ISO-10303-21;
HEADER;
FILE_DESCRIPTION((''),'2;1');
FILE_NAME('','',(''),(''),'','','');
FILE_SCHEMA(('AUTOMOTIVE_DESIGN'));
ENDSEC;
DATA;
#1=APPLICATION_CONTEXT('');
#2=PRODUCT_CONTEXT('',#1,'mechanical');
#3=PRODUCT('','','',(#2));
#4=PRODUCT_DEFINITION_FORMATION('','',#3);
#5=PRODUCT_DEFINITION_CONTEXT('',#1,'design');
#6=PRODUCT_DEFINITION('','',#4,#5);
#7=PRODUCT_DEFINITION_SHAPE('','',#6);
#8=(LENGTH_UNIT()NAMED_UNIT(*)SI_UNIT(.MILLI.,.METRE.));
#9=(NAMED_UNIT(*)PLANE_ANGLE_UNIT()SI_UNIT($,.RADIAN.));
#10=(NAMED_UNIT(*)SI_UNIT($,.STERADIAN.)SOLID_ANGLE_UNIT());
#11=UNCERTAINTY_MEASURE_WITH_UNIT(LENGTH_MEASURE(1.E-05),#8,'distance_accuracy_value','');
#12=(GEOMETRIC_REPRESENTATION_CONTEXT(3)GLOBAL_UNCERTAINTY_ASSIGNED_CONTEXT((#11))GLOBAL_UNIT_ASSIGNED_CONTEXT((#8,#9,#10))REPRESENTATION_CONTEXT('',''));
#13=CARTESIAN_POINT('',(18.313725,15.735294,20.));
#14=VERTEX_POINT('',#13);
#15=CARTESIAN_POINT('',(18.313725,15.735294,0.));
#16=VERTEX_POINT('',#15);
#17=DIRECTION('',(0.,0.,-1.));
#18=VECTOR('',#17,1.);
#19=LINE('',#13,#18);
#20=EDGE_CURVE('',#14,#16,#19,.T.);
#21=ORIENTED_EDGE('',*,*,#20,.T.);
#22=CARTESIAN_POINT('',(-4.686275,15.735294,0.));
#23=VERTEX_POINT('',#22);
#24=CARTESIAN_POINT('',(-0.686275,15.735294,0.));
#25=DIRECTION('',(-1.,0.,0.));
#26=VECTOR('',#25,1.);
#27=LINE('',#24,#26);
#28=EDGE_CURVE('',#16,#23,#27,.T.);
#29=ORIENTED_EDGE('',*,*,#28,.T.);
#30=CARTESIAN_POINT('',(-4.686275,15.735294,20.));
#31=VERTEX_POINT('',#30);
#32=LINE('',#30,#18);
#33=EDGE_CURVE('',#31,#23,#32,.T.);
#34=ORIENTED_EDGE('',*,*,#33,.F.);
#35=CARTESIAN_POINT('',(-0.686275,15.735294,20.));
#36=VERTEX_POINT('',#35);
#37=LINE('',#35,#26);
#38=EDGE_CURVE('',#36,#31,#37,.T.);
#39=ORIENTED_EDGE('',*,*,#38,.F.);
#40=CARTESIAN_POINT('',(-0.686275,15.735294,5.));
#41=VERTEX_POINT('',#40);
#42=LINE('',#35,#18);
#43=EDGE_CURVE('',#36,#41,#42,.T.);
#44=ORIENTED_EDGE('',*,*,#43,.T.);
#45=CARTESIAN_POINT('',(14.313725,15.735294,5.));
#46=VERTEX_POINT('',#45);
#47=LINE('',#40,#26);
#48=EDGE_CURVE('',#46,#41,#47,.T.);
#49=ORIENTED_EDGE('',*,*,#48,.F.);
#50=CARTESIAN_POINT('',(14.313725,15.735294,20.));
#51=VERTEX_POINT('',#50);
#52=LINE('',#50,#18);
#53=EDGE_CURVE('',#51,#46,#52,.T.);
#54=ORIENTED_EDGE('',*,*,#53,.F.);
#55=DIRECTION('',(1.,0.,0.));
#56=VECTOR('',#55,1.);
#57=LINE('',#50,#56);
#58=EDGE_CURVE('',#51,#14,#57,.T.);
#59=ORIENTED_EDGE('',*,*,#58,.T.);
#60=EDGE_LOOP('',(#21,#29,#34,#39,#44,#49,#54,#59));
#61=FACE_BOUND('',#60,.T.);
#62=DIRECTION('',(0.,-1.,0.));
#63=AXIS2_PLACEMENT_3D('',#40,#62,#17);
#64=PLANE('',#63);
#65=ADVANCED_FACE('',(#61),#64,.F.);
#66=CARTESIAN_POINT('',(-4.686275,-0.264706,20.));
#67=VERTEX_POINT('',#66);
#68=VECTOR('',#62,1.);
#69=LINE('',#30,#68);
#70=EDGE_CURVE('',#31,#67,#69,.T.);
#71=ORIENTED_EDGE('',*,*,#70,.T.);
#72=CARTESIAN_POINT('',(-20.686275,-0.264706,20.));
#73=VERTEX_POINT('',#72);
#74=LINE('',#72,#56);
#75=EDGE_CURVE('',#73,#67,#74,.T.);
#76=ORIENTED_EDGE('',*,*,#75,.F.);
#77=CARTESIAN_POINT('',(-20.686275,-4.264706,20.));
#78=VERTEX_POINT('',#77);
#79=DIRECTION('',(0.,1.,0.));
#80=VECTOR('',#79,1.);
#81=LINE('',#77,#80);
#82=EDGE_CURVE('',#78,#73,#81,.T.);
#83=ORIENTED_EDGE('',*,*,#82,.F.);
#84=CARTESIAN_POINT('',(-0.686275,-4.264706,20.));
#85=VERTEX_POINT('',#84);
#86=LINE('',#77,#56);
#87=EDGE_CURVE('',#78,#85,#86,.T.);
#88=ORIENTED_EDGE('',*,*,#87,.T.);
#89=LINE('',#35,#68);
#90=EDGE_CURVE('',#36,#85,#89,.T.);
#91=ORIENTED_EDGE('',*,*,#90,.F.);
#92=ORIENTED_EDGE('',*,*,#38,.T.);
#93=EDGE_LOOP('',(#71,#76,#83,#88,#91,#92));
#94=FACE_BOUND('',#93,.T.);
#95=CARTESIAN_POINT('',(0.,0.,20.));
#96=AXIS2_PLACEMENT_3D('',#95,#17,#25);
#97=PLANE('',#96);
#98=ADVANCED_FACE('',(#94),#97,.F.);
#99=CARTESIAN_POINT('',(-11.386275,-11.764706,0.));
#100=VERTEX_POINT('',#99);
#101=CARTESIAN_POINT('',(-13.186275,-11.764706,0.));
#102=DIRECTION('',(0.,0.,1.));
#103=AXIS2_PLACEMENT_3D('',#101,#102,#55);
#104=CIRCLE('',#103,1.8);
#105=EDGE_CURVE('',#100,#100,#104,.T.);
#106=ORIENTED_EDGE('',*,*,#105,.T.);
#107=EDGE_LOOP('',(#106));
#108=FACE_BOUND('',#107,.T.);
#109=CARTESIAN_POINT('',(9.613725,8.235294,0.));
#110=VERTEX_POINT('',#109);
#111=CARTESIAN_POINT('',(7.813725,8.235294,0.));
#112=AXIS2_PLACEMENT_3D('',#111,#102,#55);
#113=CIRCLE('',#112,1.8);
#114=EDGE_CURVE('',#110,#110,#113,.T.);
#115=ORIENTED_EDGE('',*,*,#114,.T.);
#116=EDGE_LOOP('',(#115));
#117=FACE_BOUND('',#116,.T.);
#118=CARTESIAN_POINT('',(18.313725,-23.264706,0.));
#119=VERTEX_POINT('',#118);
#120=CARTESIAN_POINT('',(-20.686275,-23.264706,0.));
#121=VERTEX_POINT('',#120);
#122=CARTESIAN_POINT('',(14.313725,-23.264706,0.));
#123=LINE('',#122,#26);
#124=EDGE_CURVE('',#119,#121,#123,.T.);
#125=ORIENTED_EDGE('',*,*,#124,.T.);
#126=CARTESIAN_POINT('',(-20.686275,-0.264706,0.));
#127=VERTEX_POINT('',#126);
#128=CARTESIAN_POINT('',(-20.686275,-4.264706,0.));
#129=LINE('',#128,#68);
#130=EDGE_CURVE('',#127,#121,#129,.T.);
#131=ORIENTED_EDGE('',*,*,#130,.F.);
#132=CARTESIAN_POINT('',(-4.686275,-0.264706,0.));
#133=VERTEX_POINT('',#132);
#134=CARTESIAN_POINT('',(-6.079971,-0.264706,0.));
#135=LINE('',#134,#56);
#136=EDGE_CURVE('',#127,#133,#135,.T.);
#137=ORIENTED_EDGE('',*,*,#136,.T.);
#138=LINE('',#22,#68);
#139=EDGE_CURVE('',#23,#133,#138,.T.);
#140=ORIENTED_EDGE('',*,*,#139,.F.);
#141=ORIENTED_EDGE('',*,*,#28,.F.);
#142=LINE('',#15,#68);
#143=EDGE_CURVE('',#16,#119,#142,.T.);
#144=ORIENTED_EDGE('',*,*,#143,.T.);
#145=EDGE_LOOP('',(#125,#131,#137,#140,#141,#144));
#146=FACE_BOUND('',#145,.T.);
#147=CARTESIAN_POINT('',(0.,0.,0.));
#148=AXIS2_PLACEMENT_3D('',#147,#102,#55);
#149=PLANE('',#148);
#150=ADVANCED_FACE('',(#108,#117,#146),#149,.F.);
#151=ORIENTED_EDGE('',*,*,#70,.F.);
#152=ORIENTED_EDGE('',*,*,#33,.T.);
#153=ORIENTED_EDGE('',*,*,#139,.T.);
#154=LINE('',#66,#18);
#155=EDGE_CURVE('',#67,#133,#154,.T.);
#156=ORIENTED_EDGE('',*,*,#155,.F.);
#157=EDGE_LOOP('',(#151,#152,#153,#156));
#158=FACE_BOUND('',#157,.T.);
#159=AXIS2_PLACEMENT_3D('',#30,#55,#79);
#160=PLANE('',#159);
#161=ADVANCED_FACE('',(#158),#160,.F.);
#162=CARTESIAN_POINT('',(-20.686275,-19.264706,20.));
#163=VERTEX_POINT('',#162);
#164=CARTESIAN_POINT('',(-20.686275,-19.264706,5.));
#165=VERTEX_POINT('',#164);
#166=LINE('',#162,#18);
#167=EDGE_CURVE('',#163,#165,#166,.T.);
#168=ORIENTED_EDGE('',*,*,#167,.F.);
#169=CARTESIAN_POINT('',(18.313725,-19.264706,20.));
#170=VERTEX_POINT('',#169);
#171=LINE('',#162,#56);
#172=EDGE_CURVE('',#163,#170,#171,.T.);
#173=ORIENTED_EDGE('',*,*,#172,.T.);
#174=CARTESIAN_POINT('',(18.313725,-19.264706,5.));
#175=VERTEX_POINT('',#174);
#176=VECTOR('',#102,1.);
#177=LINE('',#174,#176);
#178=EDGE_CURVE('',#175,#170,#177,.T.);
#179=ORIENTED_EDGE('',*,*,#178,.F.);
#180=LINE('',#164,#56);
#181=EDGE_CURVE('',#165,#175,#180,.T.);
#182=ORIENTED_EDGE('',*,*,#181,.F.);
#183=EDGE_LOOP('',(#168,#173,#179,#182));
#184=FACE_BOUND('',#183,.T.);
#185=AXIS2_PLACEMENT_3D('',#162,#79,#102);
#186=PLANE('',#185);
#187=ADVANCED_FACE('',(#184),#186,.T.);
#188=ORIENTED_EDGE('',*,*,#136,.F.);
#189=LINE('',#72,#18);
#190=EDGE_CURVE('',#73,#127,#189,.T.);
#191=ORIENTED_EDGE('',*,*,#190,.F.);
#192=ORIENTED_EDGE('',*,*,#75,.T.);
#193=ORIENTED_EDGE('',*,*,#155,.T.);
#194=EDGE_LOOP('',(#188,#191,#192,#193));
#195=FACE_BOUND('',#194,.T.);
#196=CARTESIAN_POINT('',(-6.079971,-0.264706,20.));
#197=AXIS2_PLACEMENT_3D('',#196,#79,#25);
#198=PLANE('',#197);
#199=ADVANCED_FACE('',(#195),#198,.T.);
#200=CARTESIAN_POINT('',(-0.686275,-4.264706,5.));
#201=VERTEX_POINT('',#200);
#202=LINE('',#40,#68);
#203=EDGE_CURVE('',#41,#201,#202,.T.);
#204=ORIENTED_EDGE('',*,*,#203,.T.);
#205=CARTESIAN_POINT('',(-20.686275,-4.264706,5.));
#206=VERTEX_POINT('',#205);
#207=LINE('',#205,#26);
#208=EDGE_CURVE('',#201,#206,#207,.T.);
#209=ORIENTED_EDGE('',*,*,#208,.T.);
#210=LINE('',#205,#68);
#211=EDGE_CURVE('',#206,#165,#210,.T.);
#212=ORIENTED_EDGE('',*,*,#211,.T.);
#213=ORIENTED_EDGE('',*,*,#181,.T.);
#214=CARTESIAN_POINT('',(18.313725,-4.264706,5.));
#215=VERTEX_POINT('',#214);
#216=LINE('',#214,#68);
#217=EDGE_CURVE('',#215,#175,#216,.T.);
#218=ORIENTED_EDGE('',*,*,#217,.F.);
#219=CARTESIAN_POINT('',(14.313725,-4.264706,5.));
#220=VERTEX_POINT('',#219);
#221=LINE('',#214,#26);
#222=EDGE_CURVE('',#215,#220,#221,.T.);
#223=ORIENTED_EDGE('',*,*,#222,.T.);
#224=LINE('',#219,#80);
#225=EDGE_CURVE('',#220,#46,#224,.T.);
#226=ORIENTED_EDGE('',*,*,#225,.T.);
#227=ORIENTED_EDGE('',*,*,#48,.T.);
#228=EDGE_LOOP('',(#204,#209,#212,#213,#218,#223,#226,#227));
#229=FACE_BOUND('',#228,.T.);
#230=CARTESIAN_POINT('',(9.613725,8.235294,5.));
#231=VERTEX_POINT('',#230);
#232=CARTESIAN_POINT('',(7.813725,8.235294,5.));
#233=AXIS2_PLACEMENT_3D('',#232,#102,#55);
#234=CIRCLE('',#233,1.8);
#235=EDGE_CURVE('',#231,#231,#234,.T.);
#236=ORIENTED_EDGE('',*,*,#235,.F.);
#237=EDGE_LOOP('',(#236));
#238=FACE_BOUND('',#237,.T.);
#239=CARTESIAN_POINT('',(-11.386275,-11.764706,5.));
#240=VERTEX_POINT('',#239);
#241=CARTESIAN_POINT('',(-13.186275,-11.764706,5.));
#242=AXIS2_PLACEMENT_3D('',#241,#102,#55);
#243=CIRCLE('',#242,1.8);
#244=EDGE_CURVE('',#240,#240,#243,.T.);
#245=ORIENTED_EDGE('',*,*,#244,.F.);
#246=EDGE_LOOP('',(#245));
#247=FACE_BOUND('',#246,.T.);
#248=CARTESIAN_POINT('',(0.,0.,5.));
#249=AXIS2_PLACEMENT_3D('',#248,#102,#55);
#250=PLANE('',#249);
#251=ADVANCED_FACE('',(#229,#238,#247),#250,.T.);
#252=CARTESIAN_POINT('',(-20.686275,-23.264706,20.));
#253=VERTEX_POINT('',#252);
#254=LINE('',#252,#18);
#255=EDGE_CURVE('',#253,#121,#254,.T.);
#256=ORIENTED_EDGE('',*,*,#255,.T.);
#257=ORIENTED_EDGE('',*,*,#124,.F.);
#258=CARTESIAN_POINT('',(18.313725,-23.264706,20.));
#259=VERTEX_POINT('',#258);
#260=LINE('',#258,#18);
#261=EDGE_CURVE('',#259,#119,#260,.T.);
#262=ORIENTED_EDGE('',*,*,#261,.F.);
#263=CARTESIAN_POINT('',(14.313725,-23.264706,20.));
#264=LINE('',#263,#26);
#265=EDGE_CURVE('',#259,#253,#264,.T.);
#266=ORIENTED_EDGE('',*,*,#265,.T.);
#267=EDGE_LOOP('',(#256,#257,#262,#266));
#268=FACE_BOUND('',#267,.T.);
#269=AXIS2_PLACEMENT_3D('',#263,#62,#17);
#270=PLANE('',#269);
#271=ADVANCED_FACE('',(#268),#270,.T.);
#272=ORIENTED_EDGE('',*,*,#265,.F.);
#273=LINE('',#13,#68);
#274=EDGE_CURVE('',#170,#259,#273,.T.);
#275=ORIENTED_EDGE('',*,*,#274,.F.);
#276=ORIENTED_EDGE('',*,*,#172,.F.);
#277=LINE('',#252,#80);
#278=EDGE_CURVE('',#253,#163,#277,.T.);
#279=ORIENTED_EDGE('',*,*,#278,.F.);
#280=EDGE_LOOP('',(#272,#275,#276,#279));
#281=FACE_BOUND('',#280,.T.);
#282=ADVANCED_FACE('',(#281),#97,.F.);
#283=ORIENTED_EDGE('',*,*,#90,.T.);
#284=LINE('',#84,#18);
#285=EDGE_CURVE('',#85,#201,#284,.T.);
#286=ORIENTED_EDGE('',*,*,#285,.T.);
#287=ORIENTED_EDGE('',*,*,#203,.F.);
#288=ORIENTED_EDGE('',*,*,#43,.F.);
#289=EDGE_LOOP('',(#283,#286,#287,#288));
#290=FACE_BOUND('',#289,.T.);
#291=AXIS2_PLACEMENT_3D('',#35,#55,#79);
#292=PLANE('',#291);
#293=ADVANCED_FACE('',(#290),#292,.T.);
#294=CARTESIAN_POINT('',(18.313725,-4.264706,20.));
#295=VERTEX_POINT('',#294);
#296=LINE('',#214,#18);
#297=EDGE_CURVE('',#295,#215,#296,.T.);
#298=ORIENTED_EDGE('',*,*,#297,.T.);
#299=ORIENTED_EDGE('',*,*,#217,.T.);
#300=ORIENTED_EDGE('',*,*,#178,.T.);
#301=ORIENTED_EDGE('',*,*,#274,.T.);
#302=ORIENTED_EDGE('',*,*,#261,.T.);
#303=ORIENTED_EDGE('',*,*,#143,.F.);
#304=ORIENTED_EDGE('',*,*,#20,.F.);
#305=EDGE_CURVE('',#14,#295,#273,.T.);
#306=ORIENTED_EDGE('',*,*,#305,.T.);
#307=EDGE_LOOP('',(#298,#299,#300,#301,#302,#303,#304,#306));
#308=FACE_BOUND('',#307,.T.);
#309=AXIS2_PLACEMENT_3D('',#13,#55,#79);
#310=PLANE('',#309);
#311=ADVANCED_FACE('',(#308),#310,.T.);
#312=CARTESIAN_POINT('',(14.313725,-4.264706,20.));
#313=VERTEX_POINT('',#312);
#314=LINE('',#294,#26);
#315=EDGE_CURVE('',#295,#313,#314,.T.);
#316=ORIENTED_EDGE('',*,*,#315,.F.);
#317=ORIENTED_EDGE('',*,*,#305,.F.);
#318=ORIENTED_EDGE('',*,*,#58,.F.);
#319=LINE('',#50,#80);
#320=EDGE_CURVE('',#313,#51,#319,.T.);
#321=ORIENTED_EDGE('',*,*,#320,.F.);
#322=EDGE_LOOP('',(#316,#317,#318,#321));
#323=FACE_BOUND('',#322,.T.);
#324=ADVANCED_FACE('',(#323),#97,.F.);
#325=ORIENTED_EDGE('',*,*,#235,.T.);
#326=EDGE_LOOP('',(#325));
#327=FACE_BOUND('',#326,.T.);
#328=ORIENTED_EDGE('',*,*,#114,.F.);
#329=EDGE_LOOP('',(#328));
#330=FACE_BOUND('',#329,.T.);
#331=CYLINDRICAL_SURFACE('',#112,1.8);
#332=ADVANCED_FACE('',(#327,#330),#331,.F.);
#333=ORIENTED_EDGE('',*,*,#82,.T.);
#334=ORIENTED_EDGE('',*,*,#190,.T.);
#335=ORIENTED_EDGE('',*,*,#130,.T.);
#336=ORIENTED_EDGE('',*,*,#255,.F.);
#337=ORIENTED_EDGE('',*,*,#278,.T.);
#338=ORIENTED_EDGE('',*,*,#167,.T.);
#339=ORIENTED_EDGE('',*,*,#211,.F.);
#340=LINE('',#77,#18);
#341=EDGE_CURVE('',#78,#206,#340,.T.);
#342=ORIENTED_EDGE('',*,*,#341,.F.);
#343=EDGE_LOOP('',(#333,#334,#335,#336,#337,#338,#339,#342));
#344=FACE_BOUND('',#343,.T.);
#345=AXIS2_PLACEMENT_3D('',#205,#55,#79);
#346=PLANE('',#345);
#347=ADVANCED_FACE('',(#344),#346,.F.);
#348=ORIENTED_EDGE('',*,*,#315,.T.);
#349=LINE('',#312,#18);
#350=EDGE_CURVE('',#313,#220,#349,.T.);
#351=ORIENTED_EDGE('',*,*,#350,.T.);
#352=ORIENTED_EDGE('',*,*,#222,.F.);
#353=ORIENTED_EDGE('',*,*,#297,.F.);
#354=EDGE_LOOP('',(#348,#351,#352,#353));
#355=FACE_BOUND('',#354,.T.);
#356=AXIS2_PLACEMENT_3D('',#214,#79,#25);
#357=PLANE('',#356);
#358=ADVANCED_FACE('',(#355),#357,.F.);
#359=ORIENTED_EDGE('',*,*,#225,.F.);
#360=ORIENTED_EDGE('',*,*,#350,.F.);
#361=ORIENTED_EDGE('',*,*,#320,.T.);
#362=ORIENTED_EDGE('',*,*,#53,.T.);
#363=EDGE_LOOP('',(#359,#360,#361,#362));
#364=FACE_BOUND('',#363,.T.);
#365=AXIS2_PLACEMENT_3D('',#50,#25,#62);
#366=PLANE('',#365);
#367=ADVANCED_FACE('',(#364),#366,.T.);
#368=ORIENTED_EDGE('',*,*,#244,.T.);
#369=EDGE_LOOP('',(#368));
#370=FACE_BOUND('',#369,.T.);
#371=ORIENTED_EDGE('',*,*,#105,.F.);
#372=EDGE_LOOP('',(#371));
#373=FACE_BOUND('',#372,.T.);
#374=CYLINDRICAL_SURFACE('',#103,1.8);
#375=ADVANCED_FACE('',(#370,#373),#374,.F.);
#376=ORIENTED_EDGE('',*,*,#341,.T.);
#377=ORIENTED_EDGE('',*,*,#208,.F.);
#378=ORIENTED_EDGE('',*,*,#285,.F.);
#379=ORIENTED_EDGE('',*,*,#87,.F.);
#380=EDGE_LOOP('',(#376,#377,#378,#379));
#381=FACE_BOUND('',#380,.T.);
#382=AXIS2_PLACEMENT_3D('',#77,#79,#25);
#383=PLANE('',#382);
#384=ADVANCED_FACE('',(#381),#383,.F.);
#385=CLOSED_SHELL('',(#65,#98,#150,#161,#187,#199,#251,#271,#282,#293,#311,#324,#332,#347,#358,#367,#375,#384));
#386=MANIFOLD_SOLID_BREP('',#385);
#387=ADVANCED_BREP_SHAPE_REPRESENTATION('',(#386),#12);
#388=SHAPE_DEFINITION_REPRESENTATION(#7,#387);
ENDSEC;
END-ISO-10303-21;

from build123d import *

# Parameters (mm, degrees)
BOSS_EXTRUDE1_DEPTH     = 5
BOSS_EXTRUDE2_DEPTH     = 20
SKETCH4_W               = 35
SKETCH4_H               = 4
BOSS_EXTRUDE3_DEPTH     = 20
SKETCH6_R               = 1.8
CUT_EXTRUDE3_DEPTH      = 6
SKETCH7_W               = 4
SKETCH7_H               = 39
BOSS_EXTRUDE4_DEPTH     = 20
SKETCH8_W               = 15
SKETCH8_H               = 15
CUT_EXTRUDE4_DEPTH      = 1
CUT_EXTRUDE4_DEPTH_BACK = 40


with BuildPart() as part:
    # Sketch1 → Boss-Extrude1 (new body)
    with BuildSketch(Plane.XY):
        Polygon((-20.68627451, -4.264705882), (-0.68627451, -4.264705882), (-0.68627451, 15.735294118), (14.31372549, 15.735294118), (14.31372549, -4.264705882), (14.31372549, -19.264705882), (-20.68627451, -19.264705882), align=None)
    extrude(amount=BOSS_EXTRUDE1_DEPTH)

    # Sketch2 → Boss-Extrude2 (add)
    with BuildSketch(Plane(origin=(0, 0, 0), x_dir=(-1, 0, 0), z_dir=(0, 0, -1))):
        Polygon((0.68627451, 15.735294118), (4.68627451, 15.735294118), (4.68627451, -0.264705882), (6.079970528, -0.264705882), (20.68627451, -0.264705882), (20.68627451, -4.264705882), (0.68627451, -4.264705882), align=None)
    extrude(amount=-BOSS_EXTRUDE2_DEPTH)

    # Sketch4 → Boss-Extrude3 (add)
    with BuildSketch(Plane(origin=(0, 0, 0), x_dir=(-1, 0, 0), z_dir=(0, 0, -1))):
        with Locations((3.18627451, -21.264705882)):
            Rectangle(SKETCH4_W, SKETCH4_H)
    extrude(amount=-BOSS_EXTRUDE3_DEPTH)

    # Sketch6 → Cut-Extrude3 (cut, through all)
    with BuildSketch(Plane.XY.offset(5)):
        with Locations((7.81372549, 8.235294118)):
            Circle(SKETCH6_R)
        with Locations((-13.18627451, -11.764705882)):
            Circle(SKETCH6_R)
    extrude(amount=-CUT_EXTRUDE3_DEPTH, mode=Mode.SUBTRACT)

    # Sketch7 → Boss-Extrude4 (add)
    with BuildSketch(Plane(origin=(0, 0, 0), x_dir=(-1, 0, 0), z_dir=(0, 0, -1))):
        with Locations((-16.31372549, -3.764705882)):
            Rectangle(SKETCH7_W, SKETCH7_H)
    extrude(amount=-BOSS_EXTRUDE4_DEPTH)

    # Sketch8 → Cut-Extrude4 (cut, two sides)
    with BuildSketch(Plane.ZY.offset(20.68627451)) as cut_extrude4_sk:
        with Locations((12.5, -11.764705882)):
            Rectangle(SKETCH8_W, SKETCH8_H)
    extrude(amount=CUT_EXTRUDE4_DEPTH, mode=Mode.SUBTRACT)
    extrude(cut_extrude4_sk.sketch, amount=-CUT_EXTRUDE4_DEPTH_BACK, mode=Mode.SUBTRACT)


solid = part.part
